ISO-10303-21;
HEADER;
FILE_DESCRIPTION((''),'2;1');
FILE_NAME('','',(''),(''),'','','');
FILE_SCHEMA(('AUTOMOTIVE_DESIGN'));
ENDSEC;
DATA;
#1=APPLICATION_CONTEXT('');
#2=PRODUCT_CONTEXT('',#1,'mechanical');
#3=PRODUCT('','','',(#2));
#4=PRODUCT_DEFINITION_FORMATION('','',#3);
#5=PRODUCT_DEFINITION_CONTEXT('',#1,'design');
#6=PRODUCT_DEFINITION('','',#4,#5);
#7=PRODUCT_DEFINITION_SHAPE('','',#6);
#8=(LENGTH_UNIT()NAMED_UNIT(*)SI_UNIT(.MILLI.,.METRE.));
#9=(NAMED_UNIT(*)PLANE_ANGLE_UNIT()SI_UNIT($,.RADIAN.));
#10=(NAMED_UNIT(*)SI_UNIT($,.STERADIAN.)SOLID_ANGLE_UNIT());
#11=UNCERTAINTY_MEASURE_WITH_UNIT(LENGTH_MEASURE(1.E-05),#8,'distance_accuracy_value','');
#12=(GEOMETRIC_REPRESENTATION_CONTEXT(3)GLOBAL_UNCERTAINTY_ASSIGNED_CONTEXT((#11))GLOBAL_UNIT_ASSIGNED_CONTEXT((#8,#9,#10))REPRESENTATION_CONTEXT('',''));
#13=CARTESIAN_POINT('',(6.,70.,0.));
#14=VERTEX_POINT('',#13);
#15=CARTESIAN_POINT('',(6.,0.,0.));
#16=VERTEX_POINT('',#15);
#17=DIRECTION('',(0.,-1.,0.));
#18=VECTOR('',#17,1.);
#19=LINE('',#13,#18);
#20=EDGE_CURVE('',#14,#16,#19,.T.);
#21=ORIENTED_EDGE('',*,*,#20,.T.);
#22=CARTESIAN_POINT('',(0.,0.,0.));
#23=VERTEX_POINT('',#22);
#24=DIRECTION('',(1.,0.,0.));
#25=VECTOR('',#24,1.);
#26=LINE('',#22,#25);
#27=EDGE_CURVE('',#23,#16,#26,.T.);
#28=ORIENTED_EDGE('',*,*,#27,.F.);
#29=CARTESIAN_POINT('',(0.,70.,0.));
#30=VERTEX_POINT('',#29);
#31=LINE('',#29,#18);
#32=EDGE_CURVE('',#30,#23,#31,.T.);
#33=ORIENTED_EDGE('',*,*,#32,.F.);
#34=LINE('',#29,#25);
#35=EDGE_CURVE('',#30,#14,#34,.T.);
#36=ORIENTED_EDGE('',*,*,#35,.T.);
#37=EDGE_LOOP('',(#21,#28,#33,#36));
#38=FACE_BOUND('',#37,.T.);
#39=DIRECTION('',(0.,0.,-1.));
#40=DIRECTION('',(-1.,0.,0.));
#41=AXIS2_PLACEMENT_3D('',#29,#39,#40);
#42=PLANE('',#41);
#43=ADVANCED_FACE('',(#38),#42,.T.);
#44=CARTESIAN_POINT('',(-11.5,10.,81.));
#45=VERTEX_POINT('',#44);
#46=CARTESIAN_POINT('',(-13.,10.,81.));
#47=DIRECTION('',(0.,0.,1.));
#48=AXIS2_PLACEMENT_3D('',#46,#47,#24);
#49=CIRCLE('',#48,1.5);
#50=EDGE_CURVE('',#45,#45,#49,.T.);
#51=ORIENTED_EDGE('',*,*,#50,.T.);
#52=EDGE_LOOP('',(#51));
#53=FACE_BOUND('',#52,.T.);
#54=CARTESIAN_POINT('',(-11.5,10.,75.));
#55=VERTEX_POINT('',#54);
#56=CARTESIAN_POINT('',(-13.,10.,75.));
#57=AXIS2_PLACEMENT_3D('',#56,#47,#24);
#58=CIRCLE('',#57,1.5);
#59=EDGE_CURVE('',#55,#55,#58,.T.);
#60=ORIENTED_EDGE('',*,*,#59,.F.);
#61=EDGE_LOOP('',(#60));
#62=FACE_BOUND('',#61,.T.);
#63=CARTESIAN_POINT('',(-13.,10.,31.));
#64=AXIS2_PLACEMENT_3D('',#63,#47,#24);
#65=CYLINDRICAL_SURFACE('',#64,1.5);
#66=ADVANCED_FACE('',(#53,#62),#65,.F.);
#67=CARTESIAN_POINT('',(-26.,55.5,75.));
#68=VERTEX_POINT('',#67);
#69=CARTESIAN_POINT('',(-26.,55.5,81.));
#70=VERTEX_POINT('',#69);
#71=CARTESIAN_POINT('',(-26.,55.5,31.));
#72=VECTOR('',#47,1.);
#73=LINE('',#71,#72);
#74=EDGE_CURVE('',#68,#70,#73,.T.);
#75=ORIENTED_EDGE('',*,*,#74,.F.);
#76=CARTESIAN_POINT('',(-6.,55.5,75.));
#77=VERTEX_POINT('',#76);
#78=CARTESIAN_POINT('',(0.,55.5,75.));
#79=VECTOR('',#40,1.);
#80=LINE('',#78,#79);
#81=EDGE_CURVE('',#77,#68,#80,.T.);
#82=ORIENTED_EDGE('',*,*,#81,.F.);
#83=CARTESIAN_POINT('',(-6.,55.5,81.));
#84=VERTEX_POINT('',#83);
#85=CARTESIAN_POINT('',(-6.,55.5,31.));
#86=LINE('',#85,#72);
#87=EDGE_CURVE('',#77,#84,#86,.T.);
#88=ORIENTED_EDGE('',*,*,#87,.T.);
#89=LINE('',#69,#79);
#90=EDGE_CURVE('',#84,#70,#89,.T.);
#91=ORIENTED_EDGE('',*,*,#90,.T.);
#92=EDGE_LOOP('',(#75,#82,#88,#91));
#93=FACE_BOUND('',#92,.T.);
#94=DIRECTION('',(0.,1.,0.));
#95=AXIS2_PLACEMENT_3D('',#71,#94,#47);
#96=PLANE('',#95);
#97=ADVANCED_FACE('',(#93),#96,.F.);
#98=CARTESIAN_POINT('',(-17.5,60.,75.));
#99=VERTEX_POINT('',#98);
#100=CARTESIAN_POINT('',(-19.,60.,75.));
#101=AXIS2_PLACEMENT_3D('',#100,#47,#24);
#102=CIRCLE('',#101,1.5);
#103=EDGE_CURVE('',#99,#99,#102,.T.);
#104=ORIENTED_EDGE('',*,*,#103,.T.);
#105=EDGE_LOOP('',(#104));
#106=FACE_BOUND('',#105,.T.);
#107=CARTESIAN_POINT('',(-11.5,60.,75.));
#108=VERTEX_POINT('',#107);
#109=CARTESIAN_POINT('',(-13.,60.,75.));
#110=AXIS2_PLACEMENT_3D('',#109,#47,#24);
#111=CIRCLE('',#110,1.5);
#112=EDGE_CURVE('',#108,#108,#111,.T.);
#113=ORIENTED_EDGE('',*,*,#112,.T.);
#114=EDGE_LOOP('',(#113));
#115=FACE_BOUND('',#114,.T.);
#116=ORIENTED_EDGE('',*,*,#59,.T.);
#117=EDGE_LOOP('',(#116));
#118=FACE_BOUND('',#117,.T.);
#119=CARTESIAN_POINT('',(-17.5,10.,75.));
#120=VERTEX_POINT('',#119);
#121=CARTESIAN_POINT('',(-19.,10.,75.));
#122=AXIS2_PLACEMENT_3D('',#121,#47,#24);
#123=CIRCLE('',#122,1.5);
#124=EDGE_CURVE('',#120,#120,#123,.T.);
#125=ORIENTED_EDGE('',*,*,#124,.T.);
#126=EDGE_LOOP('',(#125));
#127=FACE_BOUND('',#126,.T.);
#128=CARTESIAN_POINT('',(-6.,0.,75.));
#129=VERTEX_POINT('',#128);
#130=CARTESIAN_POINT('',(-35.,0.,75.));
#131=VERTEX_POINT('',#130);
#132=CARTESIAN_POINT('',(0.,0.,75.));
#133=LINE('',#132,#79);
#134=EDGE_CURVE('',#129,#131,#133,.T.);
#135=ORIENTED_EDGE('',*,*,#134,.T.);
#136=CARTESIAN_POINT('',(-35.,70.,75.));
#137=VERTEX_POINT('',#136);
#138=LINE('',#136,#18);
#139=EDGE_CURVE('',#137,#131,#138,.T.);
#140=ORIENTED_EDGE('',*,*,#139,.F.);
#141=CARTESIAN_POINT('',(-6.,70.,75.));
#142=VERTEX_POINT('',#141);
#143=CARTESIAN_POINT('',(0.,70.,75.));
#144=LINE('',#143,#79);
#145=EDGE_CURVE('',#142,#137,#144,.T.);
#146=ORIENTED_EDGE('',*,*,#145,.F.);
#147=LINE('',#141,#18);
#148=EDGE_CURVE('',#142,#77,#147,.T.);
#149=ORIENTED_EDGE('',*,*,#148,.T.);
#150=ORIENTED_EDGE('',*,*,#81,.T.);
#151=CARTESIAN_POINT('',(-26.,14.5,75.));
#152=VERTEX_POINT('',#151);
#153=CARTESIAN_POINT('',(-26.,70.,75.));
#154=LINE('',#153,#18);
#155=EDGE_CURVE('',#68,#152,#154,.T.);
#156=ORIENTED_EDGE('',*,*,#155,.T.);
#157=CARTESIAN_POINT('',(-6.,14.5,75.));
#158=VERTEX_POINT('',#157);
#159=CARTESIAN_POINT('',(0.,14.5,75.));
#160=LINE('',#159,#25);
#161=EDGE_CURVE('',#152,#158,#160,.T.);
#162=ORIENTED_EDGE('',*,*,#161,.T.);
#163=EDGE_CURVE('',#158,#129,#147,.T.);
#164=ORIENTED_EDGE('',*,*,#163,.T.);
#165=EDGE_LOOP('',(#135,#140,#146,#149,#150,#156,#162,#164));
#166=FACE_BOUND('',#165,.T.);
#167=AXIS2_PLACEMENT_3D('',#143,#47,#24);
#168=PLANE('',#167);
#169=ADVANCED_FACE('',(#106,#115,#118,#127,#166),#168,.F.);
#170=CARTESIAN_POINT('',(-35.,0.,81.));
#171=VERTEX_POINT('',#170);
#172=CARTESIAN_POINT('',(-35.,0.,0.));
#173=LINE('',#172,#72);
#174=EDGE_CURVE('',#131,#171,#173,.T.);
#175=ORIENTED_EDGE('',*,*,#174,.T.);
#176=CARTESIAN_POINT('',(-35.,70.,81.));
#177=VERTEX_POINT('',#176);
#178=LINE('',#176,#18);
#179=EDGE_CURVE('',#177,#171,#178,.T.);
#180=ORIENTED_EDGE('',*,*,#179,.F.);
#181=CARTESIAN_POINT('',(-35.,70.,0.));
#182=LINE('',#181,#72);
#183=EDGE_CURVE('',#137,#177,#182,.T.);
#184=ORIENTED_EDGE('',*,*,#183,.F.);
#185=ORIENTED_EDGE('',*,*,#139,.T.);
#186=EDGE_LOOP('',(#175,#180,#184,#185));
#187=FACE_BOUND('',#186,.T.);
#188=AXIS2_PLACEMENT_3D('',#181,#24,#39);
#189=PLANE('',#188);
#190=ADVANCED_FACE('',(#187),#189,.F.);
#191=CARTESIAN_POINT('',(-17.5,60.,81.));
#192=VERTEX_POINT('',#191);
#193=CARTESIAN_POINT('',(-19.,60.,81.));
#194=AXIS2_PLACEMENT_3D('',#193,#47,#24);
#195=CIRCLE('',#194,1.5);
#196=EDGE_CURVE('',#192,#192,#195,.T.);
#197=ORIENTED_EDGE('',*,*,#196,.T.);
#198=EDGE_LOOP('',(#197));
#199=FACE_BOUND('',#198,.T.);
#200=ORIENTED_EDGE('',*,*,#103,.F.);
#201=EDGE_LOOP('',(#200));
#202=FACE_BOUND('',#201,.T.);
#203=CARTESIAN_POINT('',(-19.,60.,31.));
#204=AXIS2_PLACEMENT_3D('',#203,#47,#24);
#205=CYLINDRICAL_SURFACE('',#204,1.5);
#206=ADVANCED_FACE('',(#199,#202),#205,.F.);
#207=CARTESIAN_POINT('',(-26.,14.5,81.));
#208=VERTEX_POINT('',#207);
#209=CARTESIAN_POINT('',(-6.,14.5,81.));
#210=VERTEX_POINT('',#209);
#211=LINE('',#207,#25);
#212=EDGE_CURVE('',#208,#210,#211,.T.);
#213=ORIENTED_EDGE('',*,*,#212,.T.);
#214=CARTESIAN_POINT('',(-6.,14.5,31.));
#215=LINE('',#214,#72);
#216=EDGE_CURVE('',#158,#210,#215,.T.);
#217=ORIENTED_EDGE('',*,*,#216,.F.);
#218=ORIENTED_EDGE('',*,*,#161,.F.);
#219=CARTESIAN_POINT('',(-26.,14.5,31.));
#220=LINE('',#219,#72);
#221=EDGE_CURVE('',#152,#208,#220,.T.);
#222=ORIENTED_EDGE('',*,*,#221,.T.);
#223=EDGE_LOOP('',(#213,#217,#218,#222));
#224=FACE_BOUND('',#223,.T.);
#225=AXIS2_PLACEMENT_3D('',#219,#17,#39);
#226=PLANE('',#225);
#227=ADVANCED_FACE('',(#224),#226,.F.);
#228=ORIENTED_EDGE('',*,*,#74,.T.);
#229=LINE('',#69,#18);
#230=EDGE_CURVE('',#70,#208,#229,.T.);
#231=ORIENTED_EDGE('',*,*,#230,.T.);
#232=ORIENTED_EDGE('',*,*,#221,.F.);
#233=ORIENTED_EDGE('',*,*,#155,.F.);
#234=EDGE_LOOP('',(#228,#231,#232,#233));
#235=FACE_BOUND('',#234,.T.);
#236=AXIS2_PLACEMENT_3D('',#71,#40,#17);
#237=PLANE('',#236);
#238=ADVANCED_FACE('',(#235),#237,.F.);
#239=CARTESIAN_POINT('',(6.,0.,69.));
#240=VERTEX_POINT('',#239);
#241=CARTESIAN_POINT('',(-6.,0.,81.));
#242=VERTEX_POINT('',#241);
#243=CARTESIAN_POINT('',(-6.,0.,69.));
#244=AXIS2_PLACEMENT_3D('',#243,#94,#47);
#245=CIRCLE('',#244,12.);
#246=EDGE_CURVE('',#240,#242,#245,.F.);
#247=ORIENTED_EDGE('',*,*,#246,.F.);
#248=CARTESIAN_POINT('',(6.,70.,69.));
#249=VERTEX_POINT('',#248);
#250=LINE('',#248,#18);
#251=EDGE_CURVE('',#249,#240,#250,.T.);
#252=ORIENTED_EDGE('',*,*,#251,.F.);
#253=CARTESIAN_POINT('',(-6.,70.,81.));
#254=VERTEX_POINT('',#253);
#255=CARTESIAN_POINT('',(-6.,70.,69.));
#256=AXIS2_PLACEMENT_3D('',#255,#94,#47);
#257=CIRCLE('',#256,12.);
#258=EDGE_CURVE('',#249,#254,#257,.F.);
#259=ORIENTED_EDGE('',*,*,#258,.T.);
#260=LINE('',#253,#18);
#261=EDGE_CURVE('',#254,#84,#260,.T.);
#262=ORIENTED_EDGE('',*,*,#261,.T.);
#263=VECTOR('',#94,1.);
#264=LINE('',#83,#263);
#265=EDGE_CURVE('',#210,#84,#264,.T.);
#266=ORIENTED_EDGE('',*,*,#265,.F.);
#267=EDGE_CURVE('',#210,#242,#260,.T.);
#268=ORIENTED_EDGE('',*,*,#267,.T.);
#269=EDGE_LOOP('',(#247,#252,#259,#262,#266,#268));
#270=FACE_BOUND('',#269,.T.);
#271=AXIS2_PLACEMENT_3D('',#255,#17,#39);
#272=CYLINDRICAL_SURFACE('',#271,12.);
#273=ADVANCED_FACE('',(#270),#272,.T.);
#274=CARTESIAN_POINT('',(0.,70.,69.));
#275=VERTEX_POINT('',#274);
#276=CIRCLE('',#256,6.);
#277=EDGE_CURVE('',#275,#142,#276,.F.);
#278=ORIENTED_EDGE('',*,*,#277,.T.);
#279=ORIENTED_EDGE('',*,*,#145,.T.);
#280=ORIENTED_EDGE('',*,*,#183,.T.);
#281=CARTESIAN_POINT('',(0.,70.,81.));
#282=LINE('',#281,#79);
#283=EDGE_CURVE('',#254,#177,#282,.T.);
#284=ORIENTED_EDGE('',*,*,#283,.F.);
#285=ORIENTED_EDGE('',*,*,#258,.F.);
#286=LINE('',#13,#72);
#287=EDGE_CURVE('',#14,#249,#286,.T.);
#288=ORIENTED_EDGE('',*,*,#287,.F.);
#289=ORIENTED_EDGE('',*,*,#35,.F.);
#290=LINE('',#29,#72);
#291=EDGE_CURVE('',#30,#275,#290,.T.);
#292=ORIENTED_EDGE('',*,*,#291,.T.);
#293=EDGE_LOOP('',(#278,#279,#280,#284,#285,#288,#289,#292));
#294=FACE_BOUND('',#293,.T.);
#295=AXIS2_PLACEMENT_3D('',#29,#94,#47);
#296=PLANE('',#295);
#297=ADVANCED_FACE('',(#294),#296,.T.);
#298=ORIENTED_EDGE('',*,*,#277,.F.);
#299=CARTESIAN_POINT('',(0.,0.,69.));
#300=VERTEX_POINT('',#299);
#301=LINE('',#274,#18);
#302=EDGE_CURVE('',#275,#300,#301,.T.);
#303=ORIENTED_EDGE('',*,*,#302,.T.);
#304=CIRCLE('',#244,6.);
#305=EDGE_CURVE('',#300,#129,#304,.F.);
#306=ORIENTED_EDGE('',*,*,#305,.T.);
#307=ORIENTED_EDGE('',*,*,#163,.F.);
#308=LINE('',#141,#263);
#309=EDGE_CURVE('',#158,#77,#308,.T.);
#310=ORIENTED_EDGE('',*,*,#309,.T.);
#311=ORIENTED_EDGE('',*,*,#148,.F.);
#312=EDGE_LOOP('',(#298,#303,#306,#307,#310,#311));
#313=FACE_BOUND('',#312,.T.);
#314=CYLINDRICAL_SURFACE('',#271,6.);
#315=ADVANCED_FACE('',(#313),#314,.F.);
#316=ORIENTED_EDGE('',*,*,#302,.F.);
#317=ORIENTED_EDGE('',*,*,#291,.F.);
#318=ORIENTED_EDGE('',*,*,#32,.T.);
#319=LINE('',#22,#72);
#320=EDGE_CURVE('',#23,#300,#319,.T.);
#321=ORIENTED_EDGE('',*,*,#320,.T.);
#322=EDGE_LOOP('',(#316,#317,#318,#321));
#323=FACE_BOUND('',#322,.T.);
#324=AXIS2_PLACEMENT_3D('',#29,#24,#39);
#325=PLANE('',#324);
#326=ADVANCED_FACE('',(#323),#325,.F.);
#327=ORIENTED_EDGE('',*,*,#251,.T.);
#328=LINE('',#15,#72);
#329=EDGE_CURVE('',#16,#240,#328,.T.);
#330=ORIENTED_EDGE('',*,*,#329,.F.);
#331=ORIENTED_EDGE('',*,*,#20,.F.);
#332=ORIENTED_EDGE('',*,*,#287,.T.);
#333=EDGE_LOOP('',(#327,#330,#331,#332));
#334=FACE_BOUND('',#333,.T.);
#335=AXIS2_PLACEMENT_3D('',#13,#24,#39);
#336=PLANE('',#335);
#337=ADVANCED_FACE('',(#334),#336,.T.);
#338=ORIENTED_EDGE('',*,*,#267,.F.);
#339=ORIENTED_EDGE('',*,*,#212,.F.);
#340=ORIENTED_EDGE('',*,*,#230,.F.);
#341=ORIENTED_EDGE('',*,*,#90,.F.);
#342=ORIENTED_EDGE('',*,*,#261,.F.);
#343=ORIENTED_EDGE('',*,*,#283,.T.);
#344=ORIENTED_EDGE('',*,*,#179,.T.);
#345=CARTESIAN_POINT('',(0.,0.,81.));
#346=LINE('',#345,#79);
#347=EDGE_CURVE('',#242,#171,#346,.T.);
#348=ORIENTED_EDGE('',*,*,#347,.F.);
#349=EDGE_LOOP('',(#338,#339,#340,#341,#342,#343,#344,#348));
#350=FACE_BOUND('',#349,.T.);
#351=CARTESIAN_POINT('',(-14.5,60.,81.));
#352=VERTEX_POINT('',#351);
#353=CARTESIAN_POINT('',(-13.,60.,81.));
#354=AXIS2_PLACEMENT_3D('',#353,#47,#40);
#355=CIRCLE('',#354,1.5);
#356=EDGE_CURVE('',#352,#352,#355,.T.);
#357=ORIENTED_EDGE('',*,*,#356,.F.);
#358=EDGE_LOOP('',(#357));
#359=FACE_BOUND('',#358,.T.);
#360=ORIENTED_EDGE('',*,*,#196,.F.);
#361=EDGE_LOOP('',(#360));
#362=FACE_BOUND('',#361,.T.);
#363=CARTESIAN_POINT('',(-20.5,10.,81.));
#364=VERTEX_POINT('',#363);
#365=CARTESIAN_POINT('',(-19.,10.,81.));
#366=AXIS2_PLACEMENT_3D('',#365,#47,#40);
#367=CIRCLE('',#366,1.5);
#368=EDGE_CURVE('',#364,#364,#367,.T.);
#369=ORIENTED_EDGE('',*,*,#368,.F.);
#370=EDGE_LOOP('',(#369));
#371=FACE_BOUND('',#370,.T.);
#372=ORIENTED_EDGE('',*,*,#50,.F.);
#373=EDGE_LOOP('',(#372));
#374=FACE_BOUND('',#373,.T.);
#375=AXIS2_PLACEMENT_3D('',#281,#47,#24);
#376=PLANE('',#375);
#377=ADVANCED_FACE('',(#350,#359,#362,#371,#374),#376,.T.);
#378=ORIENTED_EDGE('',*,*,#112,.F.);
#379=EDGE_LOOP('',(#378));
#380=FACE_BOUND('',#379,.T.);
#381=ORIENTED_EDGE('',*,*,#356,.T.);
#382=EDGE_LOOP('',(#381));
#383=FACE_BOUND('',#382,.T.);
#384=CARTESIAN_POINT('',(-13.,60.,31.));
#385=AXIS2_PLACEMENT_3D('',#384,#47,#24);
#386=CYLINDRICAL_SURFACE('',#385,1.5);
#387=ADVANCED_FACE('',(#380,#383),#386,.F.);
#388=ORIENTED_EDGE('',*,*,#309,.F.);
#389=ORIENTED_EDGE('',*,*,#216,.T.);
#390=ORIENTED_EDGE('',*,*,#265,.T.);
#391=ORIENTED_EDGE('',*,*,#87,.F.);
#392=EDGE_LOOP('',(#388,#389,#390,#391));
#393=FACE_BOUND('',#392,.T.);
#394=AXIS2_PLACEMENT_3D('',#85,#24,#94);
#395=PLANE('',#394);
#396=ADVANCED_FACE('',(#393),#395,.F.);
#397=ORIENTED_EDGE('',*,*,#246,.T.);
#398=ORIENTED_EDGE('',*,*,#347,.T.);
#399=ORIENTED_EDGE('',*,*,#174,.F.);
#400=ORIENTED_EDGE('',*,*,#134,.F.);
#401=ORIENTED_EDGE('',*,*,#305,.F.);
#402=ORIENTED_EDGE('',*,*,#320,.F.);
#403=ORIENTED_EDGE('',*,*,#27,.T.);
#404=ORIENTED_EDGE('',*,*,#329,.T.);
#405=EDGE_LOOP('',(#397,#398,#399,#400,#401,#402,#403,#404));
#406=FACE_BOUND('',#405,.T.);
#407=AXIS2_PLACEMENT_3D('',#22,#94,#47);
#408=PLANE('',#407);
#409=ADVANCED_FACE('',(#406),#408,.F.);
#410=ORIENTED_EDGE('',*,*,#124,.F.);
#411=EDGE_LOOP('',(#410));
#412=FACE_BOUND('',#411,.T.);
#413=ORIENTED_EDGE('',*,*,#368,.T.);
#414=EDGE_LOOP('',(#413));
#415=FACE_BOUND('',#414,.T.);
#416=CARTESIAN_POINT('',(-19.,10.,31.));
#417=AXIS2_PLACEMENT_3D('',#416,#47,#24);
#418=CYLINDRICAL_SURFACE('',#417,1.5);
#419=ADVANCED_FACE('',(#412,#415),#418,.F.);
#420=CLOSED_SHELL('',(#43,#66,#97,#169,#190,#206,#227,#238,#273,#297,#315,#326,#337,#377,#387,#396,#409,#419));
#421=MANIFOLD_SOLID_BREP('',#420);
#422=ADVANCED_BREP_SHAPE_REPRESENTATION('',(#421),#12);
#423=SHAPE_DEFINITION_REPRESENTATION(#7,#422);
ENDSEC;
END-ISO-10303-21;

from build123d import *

# Parameters (mm, degrees)
BOSS_EXTRUDE1_DEPTH = 70
SKETCH3_R           = 1.5
SKETCH3_W           = 20
SKETCH3_H           = 41
CUT_EXTRUDE1_DEPTH  = 50


with BuildPart() as part:
    # Sketch2 → Boss-Extrude1 (new body)
    with BuildSketch(Plane(origin=(0, 0, 0), x_dir=(1, 0, 0), z_dir=(0, 1, 0))):
        with BuildLine():
            ThreePointArc((6, -69), (2.485281374, -77.485281374), (-6, -81))
            Line((-6, -81), (-35, -81))
            Line((-35, -81), (-35, -75))
            Line((-35, -75), (-6, -75))
            ThreePointArc((-6, -75), (-1.757359313, -73.242640687), (0, -69))
            Line((0, -69), (0, 0))
            Line((0, 0), (6, 0))
            Line((6, 0), (6, -69))
        make_face()
    extrude(amount=BOSS_EXTRUDE1_DEPTH)

    # Sketch3 → Cut-Extrude1 (cut)
    with BuildSketch(Plane.XY.offset(81)):
        with Locations((-19, 60)):
            Circle(SKETCH3_R)
        with Locations((-13, 60)):
            Circle(SKETCH3_R)
        with Locations((-13, 10)):
            Circle(SKETCH3_R)
        with Locations((-19, 10)):
            Circle(SKETCH3_R)
        with Locations((-16, 35)):
            Rectangle(SKETCH3_W, SKETCH3_H)
    extrude(amount=-CUT_EXTRUDE1_DEPTH, mode=Mode.SUBTRACT)


solid = part.part
